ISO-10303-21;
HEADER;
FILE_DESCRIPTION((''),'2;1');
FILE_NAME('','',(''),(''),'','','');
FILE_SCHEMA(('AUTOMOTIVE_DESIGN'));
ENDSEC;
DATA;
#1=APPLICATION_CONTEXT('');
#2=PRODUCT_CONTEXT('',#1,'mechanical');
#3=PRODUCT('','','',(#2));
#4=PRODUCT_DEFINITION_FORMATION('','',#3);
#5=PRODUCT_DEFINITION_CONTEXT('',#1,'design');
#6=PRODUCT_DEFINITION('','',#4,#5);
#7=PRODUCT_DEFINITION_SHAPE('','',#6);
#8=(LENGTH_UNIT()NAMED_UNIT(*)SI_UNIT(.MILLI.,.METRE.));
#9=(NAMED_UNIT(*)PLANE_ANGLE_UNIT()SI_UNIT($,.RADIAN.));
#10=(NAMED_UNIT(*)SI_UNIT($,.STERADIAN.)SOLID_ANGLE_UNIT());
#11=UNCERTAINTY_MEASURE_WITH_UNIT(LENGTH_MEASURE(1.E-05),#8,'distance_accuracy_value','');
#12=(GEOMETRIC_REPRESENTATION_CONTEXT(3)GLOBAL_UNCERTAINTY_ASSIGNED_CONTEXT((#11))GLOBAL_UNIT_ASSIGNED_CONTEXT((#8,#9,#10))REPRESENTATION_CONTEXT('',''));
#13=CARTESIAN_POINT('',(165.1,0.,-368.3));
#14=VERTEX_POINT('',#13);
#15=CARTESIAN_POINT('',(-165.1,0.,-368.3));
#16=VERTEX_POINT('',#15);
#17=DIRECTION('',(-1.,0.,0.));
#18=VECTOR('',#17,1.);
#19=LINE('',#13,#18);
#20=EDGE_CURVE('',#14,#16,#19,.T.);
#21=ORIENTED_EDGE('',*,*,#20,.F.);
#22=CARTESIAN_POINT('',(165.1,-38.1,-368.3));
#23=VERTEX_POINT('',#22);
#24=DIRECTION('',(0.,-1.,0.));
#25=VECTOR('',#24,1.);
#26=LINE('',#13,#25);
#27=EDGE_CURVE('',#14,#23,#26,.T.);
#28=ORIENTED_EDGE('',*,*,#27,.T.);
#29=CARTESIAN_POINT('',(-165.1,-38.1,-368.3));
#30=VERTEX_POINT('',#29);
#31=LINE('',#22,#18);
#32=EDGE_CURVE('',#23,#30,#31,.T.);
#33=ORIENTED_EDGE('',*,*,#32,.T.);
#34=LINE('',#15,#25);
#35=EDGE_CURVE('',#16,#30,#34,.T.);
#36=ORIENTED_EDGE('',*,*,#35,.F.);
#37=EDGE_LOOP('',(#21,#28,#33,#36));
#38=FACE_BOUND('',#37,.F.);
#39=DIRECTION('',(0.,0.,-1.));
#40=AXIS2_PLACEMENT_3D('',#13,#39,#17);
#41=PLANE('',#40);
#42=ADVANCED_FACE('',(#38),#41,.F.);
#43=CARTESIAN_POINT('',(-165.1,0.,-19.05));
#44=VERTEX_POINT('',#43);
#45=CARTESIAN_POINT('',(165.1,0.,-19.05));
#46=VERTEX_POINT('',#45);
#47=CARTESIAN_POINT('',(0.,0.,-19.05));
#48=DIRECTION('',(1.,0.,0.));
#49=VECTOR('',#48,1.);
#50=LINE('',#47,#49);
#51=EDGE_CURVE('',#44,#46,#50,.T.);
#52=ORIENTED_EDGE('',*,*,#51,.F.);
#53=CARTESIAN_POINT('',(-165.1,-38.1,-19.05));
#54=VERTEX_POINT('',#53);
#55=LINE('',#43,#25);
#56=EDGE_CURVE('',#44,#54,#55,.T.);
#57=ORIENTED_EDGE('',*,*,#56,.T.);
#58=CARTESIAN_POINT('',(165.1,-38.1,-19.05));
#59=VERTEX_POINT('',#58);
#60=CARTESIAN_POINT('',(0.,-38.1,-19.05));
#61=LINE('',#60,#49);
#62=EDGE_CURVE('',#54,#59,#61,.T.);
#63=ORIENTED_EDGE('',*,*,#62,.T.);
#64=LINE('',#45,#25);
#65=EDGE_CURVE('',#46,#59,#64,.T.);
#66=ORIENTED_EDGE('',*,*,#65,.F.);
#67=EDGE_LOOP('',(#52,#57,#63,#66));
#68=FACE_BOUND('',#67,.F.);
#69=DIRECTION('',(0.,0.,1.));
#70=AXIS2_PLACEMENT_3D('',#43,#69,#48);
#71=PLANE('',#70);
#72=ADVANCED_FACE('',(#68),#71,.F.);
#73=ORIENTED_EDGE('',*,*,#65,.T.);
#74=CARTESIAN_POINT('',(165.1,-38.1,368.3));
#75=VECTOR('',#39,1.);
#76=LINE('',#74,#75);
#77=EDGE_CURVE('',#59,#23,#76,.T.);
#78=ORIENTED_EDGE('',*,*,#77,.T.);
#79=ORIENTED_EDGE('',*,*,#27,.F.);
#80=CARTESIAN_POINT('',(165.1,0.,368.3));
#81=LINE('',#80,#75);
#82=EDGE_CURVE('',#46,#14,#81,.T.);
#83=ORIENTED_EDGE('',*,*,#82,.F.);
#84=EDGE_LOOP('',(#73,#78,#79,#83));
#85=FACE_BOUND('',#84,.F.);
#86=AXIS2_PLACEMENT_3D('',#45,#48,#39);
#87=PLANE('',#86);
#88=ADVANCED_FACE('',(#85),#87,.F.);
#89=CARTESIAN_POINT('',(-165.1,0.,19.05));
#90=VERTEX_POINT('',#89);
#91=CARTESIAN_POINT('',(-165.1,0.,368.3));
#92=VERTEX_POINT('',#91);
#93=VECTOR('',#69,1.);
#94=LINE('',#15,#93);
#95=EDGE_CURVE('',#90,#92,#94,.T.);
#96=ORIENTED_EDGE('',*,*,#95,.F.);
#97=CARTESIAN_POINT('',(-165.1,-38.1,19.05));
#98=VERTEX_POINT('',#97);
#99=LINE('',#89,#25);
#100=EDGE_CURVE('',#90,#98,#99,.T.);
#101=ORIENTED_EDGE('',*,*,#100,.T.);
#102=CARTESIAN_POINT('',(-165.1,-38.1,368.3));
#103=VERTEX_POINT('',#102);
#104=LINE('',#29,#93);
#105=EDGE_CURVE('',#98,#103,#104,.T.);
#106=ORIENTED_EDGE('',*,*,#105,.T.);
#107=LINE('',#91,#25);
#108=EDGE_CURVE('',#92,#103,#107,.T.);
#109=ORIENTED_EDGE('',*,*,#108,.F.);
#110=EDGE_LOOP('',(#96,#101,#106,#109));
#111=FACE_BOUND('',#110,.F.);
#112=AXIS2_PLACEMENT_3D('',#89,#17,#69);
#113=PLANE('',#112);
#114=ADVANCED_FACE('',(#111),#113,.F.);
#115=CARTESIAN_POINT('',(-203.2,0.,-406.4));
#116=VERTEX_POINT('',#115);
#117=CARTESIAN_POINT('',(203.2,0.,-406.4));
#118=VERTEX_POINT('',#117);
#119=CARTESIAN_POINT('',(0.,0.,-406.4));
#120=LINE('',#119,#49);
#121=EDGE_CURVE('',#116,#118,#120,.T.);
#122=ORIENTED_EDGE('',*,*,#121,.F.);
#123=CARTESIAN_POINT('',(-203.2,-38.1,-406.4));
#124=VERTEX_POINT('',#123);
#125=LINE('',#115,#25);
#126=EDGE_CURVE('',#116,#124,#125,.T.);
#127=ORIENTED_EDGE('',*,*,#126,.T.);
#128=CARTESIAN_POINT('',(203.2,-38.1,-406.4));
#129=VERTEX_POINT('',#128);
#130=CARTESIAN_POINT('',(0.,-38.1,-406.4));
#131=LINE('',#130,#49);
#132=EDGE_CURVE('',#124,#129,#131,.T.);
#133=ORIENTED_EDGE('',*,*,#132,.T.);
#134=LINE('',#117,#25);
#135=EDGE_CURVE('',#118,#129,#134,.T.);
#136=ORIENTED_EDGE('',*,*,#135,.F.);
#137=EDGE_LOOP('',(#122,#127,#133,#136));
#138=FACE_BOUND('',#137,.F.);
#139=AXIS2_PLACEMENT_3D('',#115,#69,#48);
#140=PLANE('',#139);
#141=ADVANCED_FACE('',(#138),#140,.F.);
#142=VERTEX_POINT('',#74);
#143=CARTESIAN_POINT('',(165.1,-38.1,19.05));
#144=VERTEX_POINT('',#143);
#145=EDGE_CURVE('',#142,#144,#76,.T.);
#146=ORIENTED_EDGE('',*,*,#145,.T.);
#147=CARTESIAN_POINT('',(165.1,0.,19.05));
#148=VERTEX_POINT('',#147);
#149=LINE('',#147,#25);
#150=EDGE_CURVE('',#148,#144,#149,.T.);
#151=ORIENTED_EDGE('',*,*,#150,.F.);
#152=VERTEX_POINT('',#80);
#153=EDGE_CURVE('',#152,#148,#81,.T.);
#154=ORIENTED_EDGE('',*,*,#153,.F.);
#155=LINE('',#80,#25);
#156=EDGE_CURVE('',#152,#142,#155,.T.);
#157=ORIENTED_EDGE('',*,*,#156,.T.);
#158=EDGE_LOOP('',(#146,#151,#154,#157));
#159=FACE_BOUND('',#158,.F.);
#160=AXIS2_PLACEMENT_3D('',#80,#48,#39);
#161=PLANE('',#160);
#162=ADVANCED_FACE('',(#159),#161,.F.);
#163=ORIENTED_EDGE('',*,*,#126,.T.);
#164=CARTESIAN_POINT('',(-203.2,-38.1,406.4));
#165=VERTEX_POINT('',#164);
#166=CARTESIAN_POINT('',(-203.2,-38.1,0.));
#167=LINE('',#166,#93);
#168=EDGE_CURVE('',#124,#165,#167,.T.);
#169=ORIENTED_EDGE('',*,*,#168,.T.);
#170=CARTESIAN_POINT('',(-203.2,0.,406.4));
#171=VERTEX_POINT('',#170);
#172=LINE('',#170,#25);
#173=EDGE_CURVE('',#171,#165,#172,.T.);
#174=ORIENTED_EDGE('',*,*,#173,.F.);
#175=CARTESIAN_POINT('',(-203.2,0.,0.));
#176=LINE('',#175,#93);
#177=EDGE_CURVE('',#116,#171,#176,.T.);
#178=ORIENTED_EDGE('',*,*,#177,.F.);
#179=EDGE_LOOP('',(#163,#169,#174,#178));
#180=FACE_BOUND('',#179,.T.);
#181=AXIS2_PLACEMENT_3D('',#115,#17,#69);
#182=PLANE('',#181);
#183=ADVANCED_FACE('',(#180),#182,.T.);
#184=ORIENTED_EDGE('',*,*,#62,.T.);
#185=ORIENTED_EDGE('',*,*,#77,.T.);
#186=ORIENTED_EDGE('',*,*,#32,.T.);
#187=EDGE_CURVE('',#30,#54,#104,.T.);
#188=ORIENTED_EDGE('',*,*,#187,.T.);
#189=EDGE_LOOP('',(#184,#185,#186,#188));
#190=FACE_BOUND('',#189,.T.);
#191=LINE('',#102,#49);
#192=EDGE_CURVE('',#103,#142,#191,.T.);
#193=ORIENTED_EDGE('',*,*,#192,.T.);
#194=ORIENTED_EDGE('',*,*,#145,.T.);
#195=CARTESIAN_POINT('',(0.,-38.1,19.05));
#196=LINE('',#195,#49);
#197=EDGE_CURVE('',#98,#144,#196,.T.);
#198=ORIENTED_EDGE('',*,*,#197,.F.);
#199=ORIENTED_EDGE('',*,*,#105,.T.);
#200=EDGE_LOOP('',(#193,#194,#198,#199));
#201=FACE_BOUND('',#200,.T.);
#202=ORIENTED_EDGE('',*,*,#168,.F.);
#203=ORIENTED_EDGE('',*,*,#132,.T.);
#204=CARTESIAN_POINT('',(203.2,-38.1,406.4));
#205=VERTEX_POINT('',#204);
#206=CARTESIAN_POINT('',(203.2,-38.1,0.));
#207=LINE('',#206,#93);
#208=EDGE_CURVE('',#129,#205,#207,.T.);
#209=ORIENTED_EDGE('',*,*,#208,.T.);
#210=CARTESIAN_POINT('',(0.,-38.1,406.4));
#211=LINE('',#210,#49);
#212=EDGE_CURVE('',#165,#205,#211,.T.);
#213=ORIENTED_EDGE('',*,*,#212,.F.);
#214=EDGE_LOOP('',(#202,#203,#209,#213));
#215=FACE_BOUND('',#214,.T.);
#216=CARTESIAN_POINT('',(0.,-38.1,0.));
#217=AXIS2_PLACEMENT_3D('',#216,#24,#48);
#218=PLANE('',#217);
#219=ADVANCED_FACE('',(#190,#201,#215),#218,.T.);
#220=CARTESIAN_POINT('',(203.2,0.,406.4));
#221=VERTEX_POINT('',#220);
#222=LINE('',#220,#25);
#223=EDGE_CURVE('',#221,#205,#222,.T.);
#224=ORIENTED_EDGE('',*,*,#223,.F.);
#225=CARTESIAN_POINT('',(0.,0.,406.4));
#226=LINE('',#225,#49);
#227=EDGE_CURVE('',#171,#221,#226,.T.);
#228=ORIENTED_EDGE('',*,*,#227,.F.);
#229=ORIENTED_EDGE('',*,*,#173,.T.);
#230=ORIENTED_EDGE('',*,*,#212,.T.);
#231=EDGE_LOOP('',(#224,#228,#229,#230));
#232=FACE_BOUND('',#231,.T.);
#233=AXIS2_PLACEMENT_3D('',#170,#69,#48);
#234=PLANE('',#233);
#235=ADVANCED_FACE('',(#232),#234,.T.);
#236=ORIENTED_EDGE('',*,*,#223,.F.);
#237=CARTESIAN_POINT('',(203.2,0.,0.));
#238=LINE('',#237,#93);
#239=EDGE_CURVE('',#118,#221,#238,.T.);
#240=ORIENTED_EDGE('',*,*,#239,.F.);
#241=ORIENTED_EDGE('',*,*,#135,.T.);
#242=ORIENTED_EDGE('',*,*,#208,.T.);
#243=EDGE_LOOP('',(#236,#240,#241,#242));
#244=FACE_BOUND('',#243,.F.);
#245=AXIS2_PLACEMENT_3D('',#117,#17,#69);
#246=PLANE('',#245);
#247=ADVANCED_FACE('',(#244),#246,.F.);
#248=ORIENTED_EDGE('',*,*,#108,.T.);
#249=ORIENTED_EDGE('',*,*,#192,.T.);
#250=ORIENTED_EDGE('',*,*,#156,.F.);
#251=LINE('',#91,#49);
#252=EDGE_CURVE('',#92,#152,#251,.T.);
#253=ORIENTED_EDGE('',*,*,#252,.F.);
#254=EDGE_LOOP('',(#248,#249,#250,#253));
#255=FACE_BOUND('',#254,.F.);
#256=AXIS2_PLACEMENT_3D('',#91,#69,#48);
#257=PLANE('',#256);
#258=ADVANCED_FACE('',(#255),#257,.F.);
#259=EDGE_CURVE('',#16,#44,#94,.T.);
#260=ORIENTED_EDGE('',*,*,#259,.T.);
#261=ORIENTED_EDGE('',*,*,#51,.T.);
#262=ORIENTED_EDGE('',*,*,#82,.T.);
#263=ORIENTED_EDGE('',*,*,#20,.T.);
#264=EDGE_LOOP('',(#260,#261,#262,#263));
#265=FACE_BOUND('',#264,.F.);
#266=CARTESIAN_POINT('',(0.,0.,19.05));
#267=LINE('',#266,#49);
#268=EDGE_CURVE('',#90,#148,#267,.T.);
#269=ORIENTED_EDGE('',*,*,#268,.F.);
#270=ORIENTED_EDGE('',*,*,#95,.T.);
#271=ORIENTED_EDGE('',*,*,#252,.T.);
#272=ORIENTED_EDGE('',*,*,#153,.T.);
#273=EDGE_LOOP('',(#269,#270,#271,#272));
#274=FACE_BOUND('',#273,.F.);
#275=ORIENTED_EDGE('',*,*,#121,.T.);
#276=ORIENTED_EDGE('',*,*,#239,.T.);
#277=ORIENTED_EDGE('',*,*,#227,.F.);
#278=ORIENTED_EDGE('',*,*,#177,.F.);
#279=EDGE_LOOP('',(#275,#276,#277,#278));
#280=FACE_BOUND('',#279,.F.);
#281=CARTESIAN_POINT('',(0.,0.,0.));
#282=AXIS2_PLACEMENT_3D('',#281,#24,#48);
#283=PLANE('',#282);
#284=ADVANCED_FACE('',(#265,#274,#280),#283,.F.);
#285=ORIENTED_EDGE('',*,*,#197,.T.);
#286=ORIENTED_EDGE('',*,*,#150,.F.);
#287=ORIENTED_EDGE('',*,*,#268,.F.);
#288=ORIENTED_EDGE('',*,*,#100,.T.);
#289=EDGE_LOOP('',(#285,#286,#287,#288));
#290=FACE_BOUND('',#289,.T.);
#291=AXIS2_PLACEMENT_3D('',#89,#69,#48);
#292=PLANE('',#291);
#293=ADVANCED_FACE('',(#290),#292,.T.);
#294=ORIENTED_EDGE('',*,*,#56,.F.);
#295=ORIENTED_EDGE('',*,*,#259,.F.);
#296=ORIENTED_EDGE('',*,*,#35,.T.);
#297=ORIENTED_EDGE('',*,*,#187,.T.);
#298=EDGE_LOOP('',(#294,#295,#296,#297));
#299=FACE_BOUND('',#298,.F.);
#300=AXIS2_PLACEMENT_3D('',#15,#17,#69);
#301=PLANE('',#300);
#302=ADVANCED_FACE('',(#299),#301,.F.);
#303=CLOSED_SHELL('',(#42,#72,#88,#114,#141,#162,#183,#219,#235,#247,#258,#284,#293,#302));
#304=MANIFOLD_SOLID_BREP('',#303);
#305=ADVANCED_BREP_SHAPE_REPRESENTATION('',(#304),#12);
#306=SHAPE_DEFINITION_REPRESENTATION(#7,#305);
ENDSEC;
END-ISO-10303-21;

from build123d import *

# Parameters (mm, degrees)
F0_W     = 406.4
F0_H     = 812.8
F0_W_2   = 330.2
F0_H_2   = 38.1
F1_DEPTH = 38.1


with BuildPart() as f1:
    # F0 (on Front) → F1 (new body)
    with BuildSketch(Plane.XZ):
        Rectangle(F0_W, F0_H)
        Polygon((165.1, -19.05), (165.1, -368.3), (-165.1, -368.3), (-165.1, -19.05), (-165.1, 19.05), (-165.1, 368.3), (165.1, 368.3), (165.1, 19.05), align=None, mode=Mode.SUBTRACT)
        Rectangle(F0_W_2, F0_H_2)
    extrude(amount=F1_DEPTH)


solid = f1.part
